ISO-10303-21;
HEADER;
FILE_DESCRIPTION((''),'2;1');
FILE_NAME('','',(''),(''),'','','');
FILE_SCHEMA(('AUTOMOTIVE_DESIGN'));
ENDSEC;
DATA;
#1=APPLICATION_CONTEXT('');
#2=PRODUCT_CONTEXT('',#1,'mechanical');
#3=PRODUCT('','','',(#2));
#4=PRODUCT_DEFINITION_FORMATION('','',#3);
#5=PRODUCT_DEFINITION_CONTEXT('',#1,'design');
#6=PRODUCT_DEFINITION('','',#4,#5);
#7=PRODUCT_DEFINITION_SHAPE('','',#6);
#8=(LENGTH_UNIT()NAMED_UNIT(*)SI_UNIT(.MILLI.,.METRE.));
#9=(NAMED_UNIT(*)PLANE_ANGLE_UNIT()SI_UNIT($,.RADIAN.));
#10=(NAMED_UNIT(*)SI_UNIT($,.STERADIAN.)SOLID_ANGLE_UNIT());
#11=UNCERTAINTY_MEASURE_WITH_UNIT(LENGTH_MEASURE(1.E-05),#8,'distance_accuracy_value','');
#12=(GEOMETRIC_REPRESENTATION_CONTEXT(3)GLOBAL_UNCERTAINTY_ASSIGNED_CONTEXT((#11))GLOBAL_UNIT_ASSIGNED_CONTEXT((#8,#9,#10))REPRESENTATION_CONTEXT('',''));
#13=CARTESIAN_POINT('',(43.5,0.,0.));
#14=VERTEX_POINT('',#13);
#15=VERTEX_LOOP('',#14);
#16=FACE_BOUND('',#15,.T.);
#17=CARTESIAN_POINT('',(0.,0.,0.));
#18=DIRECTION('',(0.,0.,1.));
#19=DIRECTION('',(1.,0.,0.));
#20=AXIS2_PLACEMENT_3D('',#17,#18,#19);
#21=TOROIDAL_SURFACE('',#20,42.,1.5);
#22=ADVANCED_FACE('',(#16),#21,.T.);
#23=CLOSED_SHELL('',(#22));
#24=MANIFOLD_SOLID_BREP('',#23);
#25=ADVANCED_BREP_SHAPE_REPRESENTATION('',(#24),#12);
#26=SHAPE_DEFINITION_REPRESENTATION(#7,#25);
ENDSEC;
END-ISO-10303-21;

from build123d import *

# Parameters (mm, degrees)
SZKIC1_R = 1.5


with BuildPart() as part:
    # Szkic1 → Obrót1 (revolve)
    with BuildSketch(Plane(origin=(0, 0, 0), x_dir=(0, 0, -1), z_dir=(1, 0, 0))):
        with Locations((0, 42)):
            Circle(SZKIC1_R)
    revolve(axis=Axis((0, 0, 409.765498301), (0, 0, -1)))


solid = part.part
